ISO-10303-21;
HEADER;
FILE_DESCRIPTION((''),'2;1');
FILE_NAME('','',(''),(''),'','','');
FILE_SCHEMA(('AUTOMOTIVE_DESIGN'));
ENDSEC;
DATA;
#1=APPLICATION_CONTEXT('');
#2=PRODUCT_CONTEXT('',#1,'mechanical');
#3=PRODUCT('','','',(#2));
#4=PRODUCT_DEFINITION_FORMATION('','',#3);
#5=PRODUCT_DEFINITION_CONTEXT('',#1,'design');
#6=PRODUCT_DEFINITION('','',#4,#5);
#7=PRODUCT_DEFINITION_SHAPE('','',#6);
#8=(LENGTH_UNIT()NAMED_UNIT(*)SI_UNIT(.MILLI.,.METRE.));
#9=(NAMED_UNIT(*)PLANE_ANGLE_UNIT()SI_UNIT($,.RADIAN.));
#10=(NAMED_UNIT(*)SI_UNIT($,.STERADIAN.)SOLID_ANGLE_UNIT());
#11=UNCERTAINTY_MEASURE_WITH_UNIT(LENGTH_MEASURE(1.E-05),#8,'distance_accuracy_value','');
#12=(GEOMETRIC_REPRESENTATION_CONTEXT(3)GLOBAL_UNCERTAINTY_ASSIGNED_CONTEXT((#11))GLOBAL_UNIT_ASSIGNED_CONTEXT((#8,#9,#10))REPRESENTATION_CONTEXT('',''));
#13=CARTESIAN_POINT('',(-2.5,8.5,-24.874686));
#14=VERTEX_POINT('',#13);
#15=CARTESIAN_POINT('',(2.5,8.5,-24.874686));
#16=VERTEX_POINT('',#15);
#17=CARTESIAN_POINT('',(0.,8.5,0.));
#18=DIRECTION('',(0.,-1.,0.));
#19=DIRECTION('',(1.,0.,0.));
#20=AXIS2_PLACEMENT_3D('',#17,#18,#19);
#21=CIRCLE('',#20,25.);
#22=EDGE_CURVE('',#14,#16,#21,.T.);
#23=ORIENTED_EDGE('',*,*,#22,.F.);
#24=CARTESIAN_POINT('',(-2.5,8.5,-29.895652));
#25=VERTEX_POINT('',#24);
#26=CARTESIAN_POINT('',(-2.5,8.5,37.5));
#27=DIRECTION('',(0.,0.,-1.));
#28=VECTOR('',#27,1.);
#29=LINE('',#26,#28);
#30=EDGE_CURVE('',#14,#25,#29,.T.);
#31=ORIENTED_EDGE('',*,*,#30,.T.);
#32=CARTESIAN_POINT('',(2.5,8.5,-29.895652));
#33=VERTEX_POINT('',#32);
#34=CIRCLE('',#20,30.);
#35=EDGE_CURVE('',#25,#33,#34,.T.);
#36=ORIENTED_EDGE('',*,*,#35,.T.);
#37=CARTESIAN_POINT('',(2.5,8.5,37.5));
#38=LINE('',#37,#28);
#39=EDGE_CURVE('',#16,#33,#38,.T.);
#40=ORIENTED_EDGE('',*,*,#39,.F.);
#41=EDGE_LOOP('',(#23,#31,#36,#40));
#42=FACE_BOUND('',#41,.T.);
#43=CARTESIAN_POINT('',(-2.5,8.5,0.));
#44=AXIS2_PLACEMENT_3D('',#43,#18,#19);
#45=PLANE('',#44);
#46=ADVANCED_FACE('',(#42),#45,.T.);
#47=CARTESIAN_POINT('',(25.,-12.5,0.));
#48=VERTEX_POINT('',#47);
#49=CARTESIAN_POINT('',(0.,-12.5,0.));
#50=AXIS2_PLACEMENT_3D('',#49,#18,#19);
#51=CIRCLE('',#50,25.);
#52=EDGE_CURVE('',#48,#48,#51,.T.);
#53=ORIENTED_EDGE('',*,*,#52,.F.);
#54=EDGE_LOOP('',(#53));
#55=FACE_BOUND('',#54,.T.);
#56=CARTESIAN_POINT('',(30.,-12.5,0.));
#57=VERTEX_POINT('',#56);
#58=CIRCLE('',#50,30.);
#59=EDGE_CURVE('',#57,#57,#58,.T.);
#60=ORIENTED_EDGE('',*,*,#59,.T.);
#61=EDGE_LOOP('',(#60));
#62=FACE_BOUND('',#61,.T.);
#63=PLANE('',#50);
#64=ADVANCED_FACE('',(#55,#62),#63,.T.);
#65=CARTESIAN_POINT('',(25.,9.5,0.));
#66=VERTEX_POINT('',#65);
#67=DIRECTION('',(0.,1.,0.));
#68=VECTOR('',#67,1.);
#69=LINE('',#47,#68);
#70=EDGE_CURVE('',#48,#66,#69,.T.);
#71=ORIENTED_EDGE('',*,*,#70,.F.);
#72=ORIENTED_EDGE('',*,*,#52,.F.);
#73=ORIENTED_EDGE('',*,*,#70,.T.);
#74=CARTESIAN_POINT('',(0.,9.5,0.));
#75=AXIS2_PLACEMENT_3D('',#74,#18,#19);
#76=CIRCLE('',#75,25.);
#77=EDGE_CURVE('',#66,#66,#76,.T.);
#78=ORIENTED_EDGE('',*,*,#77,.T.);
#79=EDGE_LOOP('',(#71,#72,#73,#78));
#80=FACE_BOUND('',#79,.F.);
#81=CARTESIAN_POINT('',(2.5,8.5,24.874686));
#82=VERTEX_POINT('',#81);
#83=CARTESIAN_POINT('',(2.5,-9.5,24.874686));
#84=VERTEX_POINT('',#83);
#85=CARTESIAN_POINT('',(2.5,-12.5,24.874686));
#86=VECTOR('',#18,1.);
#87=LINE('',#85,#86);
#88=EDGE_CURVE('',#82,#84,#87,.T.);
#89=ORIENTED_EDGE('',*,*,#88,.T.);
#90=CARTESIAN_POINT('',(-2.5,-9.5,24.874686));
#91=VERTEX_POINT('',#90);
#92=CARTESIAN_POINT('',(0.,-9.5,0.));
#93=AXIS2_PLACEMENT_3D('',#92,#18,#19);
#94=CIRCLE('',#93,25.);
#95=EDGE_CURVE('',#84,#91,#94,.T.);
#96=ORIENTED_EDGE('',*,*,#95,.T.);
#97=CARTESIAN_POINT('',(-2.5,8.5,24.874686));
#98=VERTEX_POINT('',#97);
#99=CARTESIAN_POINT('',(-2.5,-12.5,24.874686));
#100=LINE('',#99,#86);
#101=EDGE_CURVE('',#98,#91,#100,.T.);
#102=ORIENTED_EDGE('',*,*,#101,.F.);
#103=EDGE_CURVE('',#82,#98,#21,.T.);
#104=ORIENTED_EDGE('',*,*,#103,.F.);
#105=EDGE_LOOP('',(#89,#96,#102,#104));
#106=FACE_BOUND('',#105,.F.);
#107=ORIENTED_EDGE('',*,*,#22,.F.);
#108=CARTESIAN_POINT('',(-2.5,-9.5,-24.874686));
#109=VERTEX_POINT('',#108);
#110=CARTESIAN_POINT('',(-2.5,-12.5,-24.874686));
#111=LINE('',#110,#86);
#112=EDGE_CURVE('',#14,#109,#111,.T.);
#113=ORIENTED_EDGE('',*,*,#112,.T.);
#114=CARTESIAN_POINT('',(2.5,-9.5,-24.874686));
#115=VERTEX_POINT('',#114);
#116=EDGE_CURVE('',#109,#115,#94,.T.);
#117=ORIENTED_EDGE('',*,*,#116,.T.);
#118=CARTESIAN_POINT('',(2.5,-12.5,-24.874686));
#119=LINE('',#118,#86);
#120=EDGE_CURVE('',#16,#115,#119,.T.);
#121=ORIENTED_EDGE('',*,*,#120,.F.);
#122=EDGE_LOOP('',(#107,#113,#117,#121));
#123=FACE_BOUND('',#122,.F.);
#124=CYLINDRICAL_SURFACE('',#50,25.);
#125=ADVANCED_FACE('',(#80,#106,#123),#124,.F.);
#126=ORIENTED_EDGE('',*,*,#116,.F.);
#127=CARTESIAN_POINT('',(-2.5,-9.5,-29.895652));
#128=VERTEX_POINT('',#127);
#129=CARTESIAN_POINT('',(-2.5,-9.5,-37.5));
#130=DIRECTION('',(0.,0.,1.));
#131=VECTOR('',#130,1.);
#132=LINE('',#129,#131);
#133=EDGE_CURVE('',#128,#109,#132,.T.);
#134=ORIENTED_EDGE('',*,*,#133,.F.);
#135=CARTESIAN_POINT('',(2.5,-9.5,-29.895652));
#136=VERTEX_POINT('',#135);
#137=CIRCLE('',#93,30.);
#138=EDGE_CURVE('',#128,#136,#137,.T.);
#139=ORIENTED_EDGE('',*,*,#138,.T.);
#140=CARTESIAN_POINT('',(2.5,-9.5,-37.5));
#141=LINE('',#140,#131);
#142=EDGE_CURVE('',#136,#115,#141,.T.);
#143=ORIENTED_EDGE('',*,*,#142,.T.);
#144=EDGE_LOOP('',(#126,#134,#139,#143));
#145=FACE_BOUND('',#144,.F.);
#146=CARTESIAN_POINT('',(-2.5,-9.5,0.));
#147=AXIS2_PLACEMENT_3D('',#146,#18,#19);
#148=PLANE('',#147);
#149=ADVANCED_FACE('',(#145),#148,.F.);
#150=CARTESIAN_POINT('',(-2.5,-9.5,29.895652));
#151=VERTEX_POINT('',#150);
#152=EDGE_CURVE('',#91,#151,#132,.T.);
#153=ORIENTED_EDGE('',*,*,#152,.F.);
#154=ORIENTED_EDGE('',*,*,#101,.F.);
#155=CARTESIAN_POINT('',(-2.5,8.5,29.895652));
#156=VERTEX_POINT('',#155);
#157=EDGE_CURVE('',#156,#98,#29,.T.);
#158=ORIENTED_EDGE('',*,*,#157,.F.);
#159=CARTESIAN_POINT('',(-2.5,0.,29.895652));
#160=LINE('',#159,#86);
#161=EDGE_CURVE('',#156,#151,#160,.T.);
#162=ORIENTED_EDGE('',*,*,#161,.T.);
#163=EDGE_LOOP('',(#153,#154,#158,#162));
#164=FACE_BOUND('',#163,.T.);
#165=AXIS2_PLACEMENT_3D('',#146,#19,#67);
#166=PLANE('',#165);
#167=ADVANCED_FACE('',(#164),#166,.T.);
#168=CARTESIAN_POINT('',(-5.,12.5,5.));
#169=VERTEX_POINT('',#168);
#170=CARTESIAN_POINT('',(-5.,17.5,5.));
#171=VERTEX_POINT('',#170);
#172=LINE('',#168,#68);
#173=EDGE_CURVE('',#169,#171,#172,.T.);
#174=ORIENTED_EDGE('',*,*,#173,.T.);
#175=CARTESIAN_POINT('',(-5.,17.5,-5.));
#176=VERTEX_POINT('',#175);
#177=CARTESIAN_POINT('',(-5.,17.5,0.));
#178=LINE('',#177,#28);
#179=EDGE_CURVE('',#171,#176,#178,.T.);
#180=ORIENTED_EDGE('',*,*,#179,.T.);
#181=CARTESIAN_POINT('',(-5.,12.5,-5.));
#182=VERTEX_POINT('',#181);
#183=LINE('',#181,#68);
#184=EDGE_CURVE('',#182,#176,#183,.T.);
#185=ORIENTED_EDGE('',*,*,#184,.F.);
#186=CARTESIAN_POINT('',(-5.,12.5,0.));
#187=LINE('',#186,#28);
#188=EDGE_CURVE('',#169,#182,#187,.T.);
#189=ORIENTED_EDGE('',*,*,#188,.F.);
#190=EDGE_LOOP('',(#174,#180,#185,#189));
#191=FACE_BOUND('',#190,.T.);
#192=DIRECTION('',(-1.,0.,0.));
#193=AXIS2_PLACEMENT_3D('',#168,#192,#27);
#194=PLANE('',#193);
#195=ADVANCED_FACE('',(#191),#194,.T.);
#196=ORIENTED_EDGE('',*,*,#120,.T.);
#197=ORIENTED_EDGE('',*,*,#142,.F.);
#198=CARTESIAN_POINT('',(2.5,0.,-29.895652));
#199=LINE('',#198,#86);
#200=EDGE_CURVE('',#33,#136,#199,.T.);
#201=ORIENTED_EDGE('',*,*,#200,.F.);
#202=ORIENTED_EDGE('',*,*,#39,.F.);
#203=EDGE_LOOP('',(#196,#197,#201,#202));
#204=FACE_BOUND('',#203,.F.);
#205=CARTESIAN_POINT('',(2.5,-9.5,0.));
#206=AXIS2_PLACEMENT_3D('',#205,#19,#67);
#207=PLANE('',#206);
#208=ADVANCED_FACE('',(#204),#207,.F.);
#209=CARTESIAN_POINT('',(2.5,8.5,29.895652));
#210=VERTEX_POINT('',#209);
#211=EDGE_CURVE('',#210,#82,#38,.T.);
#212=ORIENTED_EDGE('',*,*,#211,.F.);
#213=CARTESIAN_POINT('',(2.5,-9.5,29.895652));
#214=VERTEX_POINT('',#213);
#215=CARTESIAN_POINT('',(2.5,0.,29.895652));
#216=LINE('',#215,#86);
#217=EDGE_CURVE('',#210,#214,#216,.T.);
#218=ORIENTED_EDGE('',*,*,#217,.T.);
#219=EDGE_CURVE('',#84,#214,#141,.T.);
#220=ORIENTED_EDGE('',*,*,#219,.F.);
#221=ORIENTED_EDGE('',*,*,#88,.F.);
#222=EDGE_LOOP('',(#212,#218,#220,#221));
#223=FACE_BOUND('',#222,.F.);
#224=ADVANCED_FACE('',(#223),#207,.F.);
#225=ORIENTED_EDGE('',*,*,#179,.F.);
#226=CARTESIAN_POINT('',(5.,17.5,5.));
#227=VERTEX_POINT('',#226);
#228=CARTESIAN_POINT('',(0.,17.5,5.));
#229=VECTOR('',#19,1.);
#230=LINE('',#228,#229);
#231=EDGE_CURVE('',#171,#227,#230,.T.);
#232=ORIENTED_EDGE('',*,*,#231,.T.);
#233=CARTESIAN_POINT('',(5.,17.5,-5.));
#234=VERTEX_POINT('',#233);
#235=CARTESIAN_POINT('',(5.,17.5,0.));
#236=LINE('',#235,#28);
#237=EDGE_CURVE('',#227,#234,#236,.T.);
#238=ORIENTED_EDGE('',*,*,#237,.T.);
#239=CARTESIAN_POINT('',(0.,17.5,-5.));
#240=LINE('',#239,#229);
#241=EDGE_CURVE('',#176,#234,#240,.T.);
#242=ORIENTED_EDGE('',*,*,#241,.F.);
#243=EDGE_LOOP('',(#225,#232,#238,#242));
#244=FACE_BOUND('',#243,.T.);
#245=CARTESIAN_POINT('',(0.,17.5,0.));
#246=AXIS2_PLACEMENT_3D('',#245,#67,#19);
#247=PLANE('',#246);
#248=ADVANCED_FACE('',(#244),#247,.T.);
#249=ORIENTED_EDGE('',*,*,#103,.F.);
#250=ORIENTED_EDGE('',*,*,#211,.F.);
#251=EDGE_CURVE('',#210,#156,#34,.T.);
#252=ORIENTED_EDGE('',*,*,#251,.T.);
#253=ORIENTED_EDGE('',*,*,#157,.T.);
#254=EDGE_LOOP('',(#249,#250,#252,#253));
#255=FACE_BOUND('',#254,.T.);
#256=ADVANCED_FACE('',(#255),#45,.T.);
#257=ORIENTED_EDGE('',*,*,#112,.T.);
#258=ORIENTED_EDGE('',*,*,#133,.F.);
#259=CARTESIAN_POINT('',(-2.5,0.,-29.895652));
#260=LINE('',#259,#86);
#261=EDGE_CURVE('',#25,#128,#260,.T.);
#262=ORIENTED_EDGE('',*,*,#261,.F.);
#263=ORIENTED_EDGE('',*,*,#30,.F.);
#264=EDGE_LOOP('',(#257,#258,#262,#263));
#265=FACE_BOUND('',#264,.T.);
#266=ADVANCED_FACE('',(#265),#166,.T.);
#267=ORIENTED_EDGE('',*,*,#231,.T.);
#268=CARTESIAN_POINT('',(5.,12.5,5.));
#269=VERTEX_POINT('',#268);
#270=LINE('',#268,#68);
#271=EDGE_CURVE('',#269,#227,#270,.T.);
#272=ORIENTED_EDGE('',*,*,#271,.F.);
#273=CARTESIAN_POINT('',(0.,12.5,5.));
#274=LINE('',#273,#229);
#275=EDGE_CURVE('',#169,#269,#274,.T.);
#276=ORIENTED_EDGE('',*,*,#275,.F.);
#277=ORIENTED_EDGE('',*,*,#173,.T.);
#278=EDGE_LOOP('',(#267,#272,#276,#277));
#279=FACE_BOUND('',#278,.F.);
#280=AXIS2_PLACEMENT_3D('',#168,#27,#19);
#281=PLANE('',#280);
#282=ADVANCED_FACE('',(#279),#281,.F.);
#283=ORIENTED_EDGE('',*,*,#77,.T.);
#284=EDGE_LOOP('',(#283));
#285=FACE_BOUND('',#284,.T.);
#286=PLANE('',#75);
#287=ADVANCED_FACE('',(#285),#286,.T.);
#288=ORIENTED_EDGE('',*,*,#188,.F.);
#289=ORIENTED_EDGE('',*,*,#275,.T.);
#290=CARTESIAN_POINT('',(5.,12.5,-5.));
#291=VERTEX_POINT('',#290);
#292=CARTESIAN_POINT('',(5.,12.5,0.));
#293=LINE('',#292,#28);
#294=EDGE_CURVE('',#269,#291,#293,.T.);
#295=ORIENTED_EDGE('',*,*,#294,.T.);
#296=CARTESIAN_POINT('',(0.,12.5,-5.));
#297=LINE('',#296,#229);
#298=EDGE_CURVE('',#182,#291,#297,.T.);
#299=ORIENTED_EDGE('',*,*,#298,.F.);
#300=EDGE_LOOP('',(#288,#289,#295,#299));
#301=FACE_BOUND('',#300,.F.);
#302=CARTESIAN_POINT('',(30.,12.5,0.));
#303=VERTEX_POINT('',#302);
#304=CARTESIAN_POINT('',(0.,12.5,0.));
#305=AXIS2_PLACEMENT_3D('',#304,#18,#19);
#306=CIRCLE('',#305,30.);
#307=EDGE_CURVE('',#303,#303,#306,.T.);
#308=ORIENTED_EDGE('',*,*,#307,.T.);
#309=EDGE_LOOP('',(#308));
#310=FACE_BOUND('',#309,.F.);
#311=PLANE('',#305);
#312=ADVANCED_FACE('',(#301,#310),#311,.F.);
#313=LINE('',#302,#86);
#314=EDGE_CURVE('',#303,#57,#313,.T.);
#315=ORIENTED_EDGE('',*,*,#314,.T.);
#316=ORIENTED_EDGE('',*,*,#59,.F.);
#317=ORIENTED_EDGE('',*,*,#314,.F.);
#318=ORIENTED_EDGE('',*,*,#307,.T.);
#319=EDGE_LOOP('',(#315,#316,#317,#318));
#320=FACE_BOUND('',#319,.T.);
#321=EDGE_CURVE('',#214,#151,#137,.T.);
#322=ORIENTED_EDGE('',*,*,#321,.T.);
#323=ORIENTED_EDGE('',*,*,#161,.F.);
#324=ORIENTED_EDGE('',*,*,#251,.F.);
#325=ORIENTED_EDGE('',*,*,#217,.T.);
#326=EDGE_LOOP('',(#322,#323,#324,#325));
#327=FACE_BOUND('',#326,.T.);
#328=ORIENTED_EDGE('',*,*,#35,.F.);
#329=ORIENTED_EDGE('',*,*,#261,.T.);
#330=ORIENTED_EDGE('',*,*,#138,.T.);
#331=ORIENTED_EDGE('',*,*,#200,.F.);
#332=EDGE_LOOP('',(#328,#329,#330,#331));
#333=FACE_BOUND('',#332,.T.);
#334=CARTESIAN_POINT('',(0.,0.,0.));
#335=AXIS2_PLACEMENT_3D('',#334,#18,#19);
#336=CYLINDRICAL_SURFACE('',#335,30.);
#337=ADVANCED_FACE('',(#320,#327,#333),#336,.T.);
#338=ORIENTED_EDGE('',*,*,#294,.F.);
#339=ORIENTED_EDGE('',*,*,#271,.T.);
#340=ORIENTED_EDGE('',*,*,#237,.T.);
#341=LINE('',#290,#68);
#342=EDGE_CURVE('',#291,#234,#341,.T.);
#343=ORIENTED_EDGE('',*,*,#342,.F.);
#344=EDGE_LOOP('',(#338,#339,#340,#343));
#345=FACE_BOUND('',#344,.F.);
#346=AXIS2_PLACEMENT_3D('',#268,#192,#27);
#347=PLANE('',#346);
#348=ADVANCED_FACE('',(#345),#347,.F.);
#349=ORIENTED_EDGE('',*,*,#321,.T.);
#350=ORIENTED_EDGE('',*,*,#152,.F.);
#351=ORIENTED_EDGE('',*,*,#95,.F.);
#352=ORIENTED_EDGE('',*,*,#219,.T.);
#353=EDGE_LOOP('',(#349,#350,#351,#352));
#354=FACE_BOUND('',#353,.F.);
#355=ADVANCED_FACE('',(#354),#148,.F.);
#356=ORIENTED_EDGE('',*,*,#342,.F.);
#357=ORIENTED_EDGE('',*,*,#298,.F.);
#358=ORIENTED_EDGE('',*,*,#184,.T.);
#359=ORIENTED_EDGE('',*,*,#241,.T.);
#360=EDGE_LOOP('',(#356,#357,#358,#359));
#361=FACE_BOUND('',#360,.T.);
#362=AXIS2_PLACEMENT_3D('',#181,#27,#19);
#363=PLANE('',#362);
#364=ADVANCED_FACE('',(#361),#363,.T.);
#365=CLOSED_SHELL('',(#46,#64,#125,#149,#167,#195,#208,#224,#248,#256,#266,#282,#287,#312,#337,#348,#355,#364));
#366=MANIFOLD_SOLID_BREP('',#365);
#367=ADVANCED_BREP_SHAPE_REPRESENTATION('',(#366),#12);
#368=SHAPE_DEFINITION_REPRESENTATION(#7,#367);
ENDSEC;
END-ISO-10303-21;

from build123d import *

# Parameters (mm, degrees)
SKETCH003_W  = 5
SKETCH003_H  = 18
PAD002_DEPTH = 37.5
SKETCH_R     = 30
PAD_DEPTH    = 12.5
SKETCH001_R  = 25
POCKET_DEPTH = 22
SKETCH002_W  = 10
SKETCH002_H  = 10
PAD001_DEPTH = 5


with BuildPart() as pad002:
    # Sketch003 → Pad002 (new body, symmetric)
    with BuildSketch(Plane.XY):
        with Locations((0, -0.5)):
            Rectangle(SKETCH003_W, SKETCH003_H)
    extrude(amount=PAD002_DEPTH, both=True)


with BuildPart() as cut:
    # Sketch → Pad (new body, symmetric)
    with BuildSketch(Plane.XZ):
        Circle(SKETCH_R)
    extrude(amount=PAD_DEPTH, both=True)

    # Sketch001 → Pocket (cut)
    with BuildSketch(Plane.XZ.offset(12.5)):
        Circle(SKETCH001_R)
    extrude(amount=-POCKET_DEPTH, mode=Mode.SUBTRACT)

    # Sketch002 → Pad001 (new body)
    with BuildSketch(Plane(origin=(0, 12.5, 0), x_dir=(1, 0, 0), z_dir=(0, 1, 0))):
        Rectangle(SKETCH002_W, SKETCH002_H)
    extrude(amount=PAD001_DEPTH)

    # Cut: cut Pad002
    add(pad002.part, mode=Mode.SUBTRACT)


solid = cut.part
